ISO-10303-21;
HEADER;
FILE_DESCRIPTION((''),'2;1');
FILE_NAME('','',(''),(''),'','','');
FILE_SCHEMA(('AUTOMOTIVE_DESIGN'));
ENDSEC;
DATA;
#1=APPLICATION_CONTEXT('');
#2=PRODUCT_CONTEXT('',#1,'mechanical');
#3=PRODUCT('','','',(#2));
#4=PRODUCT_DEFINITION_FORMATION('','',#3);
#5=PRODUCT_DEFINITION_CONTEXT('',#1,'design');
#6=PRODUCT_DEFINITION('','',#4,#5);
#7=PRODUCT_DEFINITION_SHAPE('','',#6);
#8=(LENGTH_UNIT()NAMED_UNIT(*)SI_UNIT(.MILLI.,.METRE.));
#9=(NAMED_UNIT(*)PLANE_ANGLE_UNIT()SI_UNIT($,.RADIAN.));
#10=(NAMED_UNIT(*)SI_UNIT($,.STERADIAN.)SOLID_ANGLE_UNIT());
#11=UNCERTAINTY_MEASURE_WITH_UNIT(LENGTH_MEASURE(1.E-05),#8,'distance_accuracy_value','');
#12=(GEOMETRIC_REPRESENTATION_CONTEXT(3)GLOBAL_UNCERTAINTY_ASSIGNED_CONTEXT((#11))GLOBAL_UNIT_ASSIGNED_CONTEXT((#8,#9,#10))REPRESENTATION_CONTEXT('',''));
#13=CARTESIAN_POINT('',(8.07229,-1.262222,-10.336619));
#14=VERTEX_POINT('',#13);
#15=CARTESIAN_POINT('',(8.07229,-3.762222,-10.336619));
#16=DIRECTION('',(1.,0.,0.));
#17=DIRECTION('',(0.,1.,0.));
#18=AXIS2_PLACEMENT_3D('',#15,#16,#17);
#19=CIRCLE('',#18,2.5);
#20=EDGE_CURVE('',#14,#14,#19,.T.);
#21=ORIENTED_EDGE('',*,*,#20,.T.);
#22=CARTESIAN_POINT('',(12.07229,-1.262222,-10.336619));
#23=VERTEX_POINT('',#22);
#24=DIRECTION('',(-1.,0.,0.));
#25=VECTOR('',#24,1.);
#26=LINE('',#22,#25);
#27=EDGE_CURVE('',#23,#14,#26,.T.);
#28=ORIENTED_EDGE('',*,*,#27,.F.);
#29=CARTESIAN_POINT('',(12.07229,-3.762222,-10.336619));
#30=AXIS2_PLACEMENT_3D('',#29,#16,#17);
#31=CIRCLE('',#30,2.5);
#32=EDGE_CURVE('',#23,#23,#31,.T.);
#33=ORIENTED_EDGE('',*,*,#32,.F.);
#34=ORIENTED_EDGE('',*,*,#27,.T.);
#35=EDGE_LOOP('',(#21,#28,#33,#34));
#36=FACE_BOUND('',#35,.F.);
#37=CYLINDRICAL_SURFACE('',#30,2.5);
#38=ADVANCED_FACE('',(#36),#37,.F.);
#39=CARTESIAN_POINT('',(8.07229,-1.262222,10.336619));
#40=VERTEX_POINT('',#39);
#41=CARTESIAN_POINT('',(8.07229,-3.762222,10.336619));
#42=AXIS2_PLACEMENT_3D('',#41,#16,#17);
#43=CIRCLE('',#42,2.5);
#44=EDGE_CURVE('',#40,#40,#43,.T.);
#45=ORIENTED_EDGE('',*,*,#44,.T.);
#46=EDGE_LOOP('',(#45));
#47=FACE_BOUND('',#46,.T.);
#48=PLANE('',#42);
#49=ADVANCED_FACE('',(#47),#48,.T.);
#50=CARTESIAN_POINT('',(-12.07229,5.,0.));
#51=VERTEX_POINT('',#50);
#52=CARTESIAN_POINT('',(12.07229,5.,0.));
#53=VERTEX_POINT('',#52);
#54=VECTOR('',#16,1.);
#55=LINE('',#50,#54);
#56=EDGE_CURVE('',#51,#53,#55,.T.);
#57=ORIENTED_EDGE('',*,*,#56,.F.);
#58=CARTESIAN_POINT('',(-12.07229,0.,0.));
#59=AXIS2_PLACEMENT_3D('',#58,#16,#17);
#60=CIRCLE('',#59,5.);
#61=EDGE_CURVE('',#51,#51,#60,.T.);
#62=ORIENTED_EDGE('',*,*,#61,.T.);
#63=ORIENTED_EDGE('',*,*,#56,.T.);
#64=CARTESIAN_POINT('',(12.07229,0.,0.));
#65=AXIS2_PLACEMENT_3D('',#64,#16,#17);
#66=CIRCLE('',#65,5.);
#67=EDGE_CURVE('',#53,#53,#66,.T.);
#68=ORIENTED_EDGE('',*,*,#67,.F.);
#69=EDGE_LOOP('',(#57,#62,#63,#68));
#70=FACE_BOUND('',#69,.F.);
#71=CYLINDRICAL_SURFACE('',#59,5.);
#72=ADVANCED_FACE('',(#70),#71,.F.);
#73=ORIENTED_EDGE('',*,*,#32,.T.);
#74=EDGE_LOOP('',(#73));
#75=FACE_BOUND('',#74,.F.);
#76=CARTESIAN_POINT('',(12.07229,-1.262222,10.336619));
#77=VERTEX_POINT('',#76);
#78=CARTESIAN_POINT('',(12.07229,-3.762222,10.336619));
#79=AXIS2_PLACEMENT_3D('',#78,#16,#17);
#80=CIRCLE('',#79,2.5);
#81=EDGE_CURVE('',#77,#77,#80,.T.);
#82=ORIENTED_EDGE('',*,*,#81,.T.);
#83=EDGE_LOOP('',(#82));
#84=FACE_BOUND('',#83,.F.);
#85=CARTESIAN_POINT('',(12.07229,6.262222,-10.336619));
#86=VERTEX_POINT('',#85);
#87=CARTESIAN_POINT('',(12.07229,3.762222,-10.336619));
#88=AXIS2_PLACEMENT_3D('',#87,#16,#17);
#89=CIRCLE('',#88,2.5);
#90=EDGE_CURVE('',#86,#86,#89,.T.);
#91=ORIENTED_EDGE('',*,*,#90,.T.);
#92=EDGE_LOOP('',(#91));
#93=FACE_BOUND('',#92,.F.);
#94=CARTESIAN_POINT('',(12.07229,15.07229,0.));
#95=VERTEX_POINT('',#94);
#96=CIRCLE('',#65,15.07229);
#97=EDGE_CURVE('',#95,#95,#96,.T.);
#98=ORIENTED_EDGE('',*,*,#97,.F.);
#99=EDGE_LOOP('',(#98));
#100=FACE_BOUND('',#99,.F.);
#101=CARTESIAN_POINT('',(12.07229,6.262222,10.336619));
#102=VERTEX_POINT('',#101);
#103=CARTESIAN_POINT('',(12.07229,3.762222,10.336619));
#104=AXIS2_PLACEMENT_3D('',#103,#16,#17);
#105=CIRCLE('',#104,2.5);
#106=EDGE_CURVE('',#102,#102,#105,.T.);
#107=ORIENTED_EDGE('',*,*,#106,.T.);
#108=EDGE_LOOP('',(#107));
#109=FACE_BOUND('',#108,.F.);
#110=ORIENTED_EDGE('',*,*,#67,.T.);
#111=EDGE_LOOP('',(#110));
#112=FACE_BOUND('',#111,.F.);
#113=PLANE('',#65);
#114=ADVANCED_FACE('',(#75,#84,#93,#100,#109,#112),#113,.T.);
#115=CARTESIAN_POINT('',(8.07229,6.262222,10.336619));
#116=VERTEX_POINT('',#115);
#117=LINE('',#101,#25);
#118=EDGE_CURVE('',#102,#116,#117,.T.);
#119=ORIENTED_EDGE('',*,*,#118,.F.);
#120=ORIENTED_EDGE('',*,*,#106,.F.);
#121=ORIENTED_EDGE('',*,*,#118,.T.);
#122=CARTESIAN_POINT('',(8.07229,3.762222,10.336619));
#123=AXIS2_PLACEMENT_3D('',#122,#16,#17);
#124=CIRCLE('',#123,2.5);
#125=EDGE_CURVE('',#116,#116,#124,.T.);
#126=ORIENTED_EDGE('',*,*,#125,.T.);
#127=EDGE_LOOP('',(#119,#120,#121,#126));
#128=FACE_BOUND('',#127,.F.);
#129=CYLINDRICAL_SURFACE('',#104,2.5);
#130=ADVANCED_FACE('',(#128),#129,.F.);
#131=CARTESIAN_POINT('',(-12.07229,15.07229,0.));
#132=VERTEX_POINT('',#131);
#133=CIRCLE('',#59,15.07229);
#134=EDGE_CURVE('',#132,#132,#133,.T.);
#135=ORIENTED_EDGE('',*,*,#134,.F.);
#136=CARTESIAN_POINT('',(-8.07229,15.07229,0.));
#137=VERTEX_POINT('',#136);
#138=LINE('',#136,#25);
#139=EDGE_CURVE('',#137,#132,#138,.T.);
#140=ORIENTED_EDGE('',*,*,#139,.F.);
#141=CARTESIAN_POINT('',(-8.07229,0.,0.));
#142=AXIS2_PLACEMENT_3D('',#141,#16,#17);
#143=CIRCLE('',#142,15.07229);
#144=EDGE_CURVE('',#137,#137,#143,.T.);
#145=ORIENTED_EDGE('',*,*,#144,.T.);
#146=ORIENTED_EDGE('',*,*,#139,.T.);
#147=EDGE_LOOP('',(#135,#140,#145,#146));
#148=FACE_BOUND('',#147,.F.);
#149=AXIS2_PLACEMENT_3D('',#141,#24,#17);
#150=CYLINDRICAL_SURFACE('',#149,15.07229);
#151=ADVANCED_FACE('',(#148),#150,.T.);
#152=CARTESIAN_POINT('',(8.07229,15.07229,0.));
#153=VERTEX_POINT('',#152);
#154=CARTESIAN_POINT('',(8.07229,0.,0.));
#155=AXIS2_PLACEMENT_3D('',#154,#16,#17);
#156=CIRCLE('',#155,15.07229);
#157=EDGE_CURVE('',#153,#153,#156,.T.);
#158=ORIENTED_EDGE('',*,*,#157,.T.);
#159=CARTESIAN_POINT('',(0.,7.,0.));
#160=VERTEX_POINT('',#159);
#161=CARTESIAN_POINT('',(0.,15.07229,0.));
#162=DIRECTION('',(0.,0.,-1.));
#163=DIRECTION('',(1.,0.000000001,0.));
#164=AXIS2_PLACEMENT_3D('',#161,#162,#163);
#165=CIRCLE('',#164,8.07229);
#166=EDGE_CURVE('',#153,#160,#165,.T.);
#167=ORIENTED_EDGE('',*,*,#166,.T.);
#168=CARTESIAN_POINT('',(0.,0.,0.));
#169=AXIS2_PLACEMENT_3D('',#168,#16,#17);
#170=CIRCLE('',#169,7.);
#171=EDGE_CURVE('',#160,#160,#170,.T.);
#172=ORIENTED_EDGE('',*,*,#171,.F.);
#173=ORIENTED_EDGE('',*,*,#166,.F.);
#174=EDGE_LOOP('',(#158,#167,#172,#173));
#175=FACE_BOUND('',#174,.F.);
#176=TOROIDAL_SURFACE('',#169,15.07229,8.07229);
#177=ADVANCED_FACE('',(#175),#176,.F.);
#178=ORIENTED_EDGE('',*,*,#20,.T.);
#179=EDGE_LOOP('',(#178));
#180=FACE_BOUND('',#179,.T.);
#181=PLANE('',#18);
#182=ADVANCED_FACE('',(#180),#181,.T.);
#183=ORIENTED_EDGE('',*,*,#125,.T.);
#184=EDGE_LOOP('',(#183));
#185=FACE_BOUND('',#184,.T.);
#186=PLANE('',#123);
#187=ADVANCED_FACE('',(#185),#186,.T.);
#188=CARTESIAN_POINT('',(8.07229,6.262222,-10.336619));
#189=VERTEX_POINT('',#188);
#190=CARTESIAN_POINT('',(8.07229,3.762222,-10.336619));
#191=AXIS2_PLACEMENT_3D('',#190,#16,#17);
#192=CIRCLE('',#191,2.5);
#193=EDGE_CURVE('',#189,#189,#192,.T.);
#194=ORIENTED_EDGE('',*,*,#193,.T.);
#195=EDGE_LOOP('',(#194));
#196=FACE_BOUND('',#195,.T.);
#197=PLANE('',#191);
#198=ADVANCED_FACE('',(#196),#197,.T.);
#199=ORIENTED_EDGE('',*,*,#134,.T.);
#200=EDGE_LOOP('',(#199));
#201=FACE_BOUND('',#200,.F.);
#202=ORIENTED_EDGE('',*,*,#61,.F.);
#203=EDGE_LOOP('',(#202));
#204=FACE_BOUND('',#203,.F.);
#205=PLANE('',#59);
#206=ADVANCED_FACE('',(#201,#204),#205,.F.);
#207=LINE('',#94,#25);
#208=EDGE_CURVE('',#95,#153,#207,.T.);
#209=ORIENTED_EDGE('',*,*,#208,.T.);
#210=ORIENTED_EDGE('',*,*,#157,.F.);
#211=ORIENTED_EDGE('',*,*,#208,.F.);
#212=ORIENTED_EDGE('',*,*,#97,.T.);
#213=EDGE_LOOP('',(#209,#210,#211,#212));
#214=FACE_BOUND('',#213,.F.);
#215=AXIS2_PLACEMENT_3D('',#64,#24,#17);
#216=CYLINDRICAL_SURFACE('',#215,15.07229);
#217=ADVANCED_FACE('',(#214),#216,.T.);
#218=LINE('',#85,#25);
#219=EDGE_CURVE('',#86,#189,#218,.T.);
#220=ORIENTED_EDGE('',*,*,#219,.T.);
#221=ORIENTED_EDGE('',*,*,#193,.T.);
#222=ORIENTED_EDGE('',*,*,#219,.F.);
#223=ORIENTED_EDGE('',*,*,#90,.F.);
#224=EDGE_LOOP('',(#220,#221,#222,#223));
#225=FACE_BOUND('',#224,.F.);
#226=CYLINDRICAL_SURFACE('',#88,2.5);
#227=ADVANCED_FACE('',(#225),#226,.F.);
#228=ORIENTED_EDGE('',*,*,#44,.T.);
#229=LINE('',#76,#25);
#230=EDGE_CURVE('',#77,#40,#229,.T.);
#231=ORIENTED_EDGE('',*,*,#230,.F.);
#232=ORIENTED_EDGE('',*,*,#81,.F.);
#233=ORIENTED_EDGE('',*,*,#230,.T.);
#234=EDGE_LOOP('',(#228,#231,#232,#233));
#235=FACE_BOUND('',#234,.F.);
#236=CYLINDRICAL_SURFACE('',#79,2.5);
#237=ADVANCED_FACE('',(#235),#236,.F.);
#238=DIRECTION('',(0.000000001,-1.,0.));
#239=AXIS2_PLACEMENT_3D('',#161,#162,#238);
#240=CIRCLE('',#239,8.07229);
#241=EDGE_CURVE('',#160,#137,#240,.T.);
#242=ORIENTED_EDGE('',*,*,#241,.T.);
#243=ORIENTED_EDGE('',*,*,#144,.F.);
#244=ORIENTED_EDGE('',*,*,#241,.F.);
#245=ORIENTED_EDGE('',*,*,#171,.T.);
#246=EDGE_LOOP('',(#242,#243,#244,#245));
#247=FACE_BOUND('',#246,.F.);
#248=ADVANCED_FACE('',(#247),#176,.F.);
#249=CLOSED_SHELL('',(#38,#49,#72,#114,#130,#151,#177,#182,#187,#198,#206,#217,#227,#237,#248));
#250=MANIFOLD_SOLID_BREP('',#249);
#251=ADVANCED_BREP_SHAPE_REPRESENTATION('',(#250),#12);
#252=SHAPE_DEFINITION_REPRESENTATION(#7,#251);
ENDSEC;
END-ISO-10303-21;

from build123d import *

# Parameters (mm, degrees)
F2_R     = 2.5
F3_DEPTH = 4


with BuildPart() as f1:
    # F0 (on Top) → F1 (revolve)
    with BuildSketch(Plane.XY):
        with BuildLine():
            ThreePointArc((8.07229, 15.07229), (5.707971, 9.364319), (0, 7))
            ThreePointArc((0, 7), (-5.707971, 9.364319), (-8.07229, 15.07229))
            Line((-8.07229, 15.07229), (-12.07229, 15.07229))
            Line((-12.07229, 15.07229), (-12.07229, 5))
            Line((-12.07229, 5), (12.07229, 5))
            Line((12.07229, 5), (12.07229, 15.07229))
            Line((12.07229, 15.07229), (8.07229, 15.07229))
        make_face()
    revolve(axis=Axis((3.33288, 0, 0), (1, 0, 0)))

    # F2 (on face) → F3 (cut)
    with BuildSketch(Plane.YZ.offset(12.07229)):
        with Locations((3.762222, 10.336619)):
            Circle(F2_R)
        with Locations((-3.762222, 10.336619)):
            Circle(F2_R)
        with Locations((3.762222, -10.336619)):
            Circle(F2_R)
        with Locations((-3.762222, -10.336619)):
            Circle(F2_R)
    extrude(amount=-F3_DEPTH, mode=Mode.SUBTRACT)


solid = f1.part
